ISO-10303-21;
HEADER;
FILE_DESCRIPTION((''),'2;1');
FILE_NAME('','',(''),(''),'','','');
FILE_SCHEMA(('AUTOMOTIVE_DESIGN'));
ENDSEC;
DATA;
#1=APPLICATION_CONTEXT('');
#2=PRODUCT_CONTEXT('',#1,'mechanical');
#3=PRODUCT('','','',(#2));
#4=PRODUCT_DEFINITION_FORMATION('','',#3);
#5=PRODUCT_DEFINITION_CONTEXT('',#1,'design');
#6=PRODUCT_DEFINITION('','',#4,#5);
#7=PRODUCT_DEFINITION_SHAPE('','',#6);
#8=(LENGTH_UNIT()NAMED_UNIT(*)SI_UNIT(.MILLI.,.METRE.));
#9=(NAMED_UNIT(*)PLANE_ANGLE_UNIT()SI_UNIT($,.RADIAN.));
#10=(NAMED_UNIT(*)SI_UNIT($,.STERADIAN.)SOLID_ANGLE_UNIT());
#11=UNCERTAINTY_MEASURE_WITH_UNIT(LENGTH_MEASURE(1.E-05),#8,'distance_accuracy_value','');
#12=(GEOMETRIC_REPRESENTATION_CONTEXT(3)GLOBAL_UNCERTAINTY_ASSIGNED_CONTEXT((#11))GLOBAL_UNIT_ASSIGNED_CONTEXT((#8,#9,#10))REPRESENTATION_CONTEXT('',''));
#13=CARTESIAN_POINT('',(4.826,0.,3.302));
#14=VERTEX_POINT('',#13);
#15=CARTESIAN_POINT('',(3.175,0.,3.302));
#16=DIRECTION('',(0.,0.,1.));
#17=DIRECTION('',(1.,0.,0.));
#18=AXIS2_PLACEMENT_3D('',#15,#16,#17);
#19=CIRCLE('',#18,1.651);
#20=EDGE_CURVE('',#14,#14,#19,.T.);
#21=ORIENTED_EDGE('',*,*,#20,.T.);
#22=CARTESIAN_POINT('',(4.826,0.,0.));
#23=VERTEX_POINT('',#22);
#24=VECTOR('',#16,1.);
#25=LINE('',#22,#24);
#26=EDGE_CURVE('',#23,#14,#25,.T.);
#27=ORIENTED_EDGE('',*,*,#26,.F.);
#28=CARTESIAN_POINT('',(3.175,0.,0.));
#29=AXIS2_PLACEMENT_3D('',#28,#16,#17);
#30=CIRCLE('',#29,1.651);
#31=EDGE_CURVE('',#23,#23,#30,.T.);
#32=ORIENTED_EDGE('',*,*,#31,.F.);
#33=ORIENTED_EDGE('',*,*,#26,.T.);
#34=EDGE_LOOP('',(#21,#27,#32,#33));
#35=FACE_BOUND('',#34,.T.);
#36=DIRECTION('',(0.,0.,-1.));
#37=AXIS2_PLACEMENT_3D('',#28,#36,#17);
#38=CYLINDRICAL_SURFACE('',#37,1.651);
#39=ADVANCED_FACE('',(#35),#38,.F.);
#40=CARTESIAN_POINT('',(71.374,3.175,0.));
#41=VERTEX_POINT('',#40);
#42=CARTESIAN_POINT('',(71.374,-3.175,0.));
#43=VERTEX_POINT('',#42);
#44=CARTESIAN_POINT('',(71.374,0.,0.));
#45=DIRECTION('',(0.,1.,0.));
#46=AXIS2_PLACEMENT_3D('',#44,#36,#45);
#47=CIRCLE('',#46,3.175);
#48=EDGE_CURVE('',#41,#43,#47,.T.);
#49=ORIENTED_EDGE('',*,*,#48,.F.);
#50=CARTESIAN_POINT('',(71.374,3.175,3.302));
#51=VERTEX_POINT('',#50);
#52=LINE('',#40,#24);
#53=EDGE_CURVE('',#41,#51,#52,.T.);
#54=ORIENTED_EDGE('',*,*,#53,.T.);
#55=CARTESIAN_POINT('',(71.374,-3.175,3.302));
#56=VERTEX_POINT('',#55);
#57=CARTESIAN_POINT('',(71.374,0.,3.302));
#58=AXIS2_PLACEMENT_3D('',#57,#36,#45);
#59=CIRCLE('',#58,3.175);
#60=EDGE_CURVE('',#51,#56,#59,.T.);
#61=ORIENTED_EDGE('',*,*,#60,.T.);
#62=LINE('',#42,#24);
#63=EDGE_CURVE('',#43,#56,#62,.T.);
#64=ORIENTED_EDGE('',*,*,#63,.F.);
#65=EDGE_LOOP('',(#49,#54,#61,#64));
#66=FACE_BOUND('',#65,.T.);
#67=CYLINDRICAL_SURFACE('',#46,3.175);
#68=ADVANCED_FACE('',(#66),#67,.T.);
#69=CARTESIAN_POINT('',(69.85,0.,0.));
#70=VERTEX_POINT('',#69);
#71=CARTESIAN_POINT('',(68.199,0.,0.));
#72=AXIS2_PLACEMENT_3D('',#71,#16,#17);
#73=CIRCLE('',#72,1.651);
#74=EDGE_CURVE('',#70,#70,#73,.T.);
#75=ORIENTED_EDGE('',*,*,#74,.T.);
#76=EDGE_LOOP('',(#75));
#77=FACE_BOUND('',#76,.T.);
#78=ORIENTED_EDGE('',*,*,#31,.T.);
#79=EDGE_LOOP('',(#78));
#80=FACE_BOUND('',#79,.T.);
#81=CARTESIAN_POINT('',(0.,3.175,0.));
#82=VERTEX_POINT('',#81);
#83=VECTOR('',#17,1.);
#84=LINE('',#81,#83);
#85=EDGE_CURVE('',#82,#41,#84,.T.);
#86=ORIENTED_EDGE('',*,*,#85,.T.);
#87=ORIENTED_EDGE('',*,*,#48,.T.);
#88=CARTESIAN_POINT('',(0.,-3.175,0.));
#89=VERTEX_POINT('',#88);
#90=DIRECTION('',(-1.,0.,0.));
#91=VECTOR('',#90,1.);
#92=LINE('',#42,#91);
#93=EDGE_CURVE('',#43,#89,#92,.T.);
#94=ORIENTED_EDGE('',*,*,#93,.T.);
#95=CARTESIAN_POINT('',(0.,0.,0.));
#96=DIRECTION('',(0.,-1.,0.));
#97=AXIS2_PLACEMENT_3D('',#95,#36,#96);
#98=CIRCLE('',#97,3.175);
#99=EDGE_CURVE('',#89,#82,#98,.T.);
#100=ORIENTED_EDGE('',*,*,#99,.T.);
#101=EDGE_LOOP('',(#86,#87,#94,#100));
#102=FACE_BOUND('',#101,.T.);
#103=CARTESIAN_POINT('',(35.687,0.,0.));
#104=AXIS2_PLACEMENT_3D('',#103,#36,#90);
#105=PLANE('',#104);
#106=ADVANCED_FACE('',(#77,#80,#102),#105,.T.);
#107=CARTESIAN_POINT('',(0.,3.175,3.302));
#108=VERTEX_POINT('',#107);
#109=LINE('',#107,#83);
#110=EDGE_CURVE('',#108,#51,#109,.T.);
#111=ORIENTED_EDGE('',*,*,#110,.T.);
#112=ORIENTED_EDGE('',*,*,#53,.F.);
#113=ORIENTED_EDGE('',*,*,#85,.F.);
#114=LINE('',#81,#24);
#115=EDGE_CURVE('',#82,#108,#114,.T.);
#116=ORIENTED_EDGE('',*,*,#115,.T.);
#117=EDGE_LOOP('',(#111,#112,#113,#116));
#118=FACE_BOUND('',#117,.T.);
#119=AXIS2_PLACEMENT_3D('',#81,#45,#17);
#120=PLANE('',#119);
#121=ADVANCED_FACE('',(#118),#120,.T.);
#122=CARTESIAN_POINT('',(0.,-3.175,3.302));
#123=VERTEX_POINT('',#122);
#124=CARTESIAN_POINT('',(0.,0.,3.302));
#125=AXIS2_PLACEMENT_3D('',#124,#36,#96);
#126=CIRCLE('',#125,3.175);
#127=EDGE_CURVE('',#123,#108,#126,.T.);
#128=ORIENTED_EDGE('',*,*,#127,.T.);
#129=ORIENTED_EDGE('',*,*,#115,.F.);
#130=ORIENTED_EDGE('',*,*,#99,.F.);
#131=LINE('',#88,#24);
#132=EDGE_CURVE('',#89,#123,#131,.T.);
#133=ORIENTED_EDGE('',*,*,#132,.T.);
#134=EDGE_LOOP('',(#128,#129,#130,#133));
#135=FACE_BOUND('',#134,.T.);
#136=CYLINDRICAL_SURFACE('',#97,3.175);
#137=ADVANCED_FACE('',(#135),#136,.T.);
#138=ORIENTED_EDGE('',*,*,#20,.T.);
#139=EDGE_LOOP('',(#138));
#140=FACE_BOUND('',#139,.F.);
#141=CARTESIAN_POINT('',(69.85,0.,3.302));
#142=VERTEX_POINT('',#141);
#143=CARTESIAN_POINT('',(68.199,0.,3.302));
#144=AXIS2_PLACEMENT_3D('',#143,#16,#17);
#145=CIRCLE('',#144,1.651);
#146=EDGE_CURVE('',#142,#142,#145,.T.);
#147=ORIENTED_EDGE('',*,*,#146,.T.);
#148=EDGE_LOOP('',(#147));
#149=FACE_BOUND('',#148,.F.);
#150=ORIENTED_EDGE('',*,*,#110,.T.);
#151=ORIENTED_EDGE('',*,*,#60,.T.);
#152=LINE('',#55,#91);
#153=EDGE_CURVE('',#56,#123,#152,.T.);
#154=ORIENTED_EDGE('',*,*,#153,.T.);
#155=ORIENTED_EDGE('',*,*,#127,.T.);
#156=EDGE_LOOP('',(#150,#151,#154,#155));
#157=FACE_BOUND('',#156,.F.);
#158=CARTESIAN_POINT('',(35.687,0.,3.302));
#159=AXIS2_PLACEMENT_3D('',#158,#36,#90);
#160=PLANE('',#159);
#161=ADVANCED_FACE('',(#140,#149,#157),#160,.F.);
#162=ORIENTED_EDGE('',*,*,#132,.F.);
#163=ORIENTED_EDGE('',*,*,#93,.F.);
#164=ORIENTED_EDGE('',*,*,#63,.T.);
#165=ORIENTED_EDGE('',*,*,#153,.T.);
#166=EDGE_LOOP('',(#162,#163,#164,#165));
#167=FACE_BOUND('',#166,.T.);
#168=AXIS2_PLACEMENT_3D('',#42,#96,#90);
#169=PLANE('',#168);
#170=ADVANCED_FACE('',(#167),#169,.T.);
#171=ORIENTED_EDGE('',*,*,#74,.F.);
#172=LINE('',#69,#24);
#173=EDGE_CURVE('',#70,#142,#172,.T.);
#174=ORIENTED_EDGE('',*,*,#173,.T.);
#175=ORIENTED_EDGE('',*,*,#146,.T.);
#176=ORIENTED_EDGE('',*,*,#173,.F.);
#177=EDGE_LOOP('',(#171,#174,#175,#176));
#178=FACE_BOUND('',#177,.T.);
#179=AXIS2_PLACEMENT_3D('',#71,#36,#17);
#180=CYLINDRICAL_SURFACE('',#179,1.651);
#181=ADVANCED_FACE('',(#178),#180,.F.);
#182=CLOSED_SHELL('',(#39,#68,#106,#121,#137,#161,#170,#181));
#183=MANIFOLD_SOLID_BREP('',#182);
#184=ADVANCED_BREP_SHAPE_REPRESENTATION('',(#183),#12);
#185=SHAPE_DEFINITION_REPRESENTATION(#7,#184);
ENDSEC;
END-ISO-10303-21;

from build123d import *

# Parameters (mm, degrees)
SKETCH1_R           = 1.651
BOSS_EXTRUDE1_DEPTH = 3.302


with BuildPart() as part:
    # Sketch1 → Boss-Extrude1 (new body)
    with BuildSketch(Plane.XY):
        with BuildLine():
            Line((0, 3.175), (71.374, 3.175))
            ThreePointArc((71.374, 3.175), (74.549, 0), (71.374, -3.175))
            Line((71.374, -3.175), (0, -3.175))
            ThreePointArc((0, -3.175), (-3.175, 0), (0, 3.175))
        make_face()
        with Locations((3.175, 0)):
            Circle(SKETCH1_R, mode=Mode.SUBTRACT)
        with Locations((68.199, 0)):
            Circle(SKETCH1_R, mode=Mode.SUBTRACT)
    extrude(amount=BOSS_EXTRUDE1_DEPTH)


solid = part.part
